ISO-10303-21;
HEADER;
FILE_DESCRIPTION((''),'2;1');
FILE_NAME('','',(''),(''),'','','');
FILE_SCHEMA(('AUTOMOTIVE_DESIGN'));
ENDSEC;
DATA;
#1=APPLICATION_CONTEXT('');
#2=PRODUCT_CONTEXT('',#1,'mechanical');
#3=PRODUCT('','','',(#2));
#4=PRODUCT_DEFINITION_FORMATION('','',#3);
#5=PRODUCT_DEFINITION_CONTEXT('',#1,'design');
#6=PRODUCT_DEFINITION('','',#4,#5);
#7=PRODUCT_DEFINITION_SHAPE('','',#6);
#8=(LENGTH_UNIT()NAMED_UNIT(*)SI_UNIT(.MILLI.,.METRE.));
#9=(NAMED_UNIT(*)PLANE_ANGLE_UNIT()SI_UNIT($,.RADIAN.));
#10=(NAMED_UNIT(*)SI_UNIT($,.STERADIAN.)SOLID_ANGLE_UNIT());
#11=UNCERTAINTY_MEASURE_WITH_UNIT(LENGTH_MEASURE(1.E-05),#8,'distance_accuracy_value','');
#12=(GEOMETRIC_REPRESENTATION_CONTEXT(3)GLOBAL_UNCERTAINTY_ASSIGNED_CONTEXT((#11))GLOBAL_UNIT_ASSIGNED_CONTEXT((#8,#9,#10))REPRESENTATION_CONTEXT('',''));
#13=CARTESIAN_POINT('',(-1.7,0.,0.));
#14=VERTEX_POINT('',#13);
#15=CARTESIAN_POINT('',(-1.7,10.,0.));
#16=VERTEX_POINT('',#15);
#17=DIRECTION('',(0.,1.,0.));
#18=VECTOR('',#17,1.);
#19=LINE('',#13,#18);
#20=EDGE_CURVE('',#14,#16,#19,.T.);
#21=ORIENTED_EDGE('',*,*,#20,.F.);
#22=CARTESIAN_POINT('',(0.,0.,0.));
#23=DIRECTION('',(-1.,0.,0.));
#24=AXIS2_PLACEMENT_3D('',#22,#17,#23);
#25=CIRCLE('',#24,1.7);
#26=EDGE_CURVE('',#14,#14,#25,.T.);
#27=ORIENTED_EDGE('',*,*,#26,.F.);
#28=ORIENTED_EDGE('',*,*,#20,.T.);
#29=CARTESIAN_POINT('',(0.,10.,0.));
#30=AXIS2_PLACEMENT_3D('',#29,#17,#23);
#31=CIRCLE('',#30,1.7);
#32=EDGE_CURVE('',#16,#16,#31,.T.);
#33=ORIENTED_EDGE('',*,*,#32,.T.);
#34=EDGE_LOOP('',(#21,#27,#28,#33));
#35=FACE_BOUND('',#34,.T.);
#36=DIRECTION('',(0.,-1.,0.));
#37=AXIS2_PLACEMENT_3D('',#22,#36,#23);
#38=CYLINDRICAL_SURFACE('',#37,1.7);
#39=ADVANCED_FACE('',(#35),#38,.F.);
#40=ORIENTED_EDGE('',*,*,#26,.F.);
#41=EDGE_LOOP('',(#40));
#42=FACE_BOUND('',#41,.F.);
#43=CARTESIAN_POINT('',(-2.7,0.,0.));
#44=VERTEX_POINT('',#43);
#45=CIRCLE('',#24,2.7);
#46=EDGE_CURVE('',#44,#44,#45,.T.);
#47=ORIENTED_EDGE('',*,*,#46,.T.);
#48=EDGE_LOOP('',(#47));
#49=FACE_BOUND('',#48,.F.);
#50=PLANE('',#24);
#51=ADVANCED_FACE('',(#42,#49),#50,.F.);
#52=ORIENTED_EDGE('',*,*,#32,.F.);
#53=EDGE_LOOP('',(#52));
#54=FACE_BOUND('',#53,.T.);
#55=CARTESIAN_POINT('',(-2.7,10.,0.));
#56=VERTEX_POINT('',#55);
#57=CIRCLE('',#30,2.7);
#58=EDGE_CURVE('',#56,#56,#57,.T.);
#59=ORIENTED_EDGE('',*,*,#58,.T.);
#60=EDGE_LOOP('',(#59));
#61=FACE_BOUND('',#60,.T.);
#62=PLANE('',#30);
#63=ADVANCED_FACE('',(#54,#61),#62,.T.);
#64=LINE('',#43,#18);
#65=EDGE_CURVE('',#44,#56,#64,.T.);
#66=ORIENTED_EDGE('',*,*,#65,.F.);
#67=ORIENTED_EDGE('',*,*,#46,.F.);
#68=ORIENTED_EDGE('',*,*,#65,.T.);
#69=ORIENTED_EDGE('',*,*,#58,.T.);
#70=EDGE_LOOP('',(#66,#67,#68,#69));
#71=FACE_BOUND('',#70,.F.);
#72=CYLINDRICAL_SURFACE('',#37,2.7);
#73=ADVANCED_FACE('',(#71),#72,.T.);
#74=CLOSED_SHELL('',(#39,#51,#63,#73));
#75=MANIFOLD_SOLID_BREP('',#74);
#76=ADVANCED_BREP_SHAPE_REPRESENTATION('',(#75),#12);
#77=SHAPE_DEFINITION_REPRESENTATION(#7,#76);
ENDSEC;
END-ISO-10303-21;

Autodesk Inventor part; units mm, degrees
ref_plane "YZ Plane" through (0, 0, 0) normal (1, 0, 0) x (0, 1, 0)
ref_plane "XZ Plane" through (0, 0, 0) normal (0, 1, 0) x (-1, 0, 0)
ref_plane "XY Plane" through (0, 0, 0) normal (0, 0, 1) x (1, 0, 0)
sketch "Sketch1" plane through (0, 0, 0) normal (0, 1, 0) x (-1, 0, 0)
  circle A0 centre (0, 0) radius 1.7
  circle A1 centre (0, 0) radius 2.7
  dimension "d0" = 3.4
  dimension "d1" = 1
extrude "Extrusion1" add sketch "Sketch1" along normal blind 10
properties part number "Board_Offset_Holder"
